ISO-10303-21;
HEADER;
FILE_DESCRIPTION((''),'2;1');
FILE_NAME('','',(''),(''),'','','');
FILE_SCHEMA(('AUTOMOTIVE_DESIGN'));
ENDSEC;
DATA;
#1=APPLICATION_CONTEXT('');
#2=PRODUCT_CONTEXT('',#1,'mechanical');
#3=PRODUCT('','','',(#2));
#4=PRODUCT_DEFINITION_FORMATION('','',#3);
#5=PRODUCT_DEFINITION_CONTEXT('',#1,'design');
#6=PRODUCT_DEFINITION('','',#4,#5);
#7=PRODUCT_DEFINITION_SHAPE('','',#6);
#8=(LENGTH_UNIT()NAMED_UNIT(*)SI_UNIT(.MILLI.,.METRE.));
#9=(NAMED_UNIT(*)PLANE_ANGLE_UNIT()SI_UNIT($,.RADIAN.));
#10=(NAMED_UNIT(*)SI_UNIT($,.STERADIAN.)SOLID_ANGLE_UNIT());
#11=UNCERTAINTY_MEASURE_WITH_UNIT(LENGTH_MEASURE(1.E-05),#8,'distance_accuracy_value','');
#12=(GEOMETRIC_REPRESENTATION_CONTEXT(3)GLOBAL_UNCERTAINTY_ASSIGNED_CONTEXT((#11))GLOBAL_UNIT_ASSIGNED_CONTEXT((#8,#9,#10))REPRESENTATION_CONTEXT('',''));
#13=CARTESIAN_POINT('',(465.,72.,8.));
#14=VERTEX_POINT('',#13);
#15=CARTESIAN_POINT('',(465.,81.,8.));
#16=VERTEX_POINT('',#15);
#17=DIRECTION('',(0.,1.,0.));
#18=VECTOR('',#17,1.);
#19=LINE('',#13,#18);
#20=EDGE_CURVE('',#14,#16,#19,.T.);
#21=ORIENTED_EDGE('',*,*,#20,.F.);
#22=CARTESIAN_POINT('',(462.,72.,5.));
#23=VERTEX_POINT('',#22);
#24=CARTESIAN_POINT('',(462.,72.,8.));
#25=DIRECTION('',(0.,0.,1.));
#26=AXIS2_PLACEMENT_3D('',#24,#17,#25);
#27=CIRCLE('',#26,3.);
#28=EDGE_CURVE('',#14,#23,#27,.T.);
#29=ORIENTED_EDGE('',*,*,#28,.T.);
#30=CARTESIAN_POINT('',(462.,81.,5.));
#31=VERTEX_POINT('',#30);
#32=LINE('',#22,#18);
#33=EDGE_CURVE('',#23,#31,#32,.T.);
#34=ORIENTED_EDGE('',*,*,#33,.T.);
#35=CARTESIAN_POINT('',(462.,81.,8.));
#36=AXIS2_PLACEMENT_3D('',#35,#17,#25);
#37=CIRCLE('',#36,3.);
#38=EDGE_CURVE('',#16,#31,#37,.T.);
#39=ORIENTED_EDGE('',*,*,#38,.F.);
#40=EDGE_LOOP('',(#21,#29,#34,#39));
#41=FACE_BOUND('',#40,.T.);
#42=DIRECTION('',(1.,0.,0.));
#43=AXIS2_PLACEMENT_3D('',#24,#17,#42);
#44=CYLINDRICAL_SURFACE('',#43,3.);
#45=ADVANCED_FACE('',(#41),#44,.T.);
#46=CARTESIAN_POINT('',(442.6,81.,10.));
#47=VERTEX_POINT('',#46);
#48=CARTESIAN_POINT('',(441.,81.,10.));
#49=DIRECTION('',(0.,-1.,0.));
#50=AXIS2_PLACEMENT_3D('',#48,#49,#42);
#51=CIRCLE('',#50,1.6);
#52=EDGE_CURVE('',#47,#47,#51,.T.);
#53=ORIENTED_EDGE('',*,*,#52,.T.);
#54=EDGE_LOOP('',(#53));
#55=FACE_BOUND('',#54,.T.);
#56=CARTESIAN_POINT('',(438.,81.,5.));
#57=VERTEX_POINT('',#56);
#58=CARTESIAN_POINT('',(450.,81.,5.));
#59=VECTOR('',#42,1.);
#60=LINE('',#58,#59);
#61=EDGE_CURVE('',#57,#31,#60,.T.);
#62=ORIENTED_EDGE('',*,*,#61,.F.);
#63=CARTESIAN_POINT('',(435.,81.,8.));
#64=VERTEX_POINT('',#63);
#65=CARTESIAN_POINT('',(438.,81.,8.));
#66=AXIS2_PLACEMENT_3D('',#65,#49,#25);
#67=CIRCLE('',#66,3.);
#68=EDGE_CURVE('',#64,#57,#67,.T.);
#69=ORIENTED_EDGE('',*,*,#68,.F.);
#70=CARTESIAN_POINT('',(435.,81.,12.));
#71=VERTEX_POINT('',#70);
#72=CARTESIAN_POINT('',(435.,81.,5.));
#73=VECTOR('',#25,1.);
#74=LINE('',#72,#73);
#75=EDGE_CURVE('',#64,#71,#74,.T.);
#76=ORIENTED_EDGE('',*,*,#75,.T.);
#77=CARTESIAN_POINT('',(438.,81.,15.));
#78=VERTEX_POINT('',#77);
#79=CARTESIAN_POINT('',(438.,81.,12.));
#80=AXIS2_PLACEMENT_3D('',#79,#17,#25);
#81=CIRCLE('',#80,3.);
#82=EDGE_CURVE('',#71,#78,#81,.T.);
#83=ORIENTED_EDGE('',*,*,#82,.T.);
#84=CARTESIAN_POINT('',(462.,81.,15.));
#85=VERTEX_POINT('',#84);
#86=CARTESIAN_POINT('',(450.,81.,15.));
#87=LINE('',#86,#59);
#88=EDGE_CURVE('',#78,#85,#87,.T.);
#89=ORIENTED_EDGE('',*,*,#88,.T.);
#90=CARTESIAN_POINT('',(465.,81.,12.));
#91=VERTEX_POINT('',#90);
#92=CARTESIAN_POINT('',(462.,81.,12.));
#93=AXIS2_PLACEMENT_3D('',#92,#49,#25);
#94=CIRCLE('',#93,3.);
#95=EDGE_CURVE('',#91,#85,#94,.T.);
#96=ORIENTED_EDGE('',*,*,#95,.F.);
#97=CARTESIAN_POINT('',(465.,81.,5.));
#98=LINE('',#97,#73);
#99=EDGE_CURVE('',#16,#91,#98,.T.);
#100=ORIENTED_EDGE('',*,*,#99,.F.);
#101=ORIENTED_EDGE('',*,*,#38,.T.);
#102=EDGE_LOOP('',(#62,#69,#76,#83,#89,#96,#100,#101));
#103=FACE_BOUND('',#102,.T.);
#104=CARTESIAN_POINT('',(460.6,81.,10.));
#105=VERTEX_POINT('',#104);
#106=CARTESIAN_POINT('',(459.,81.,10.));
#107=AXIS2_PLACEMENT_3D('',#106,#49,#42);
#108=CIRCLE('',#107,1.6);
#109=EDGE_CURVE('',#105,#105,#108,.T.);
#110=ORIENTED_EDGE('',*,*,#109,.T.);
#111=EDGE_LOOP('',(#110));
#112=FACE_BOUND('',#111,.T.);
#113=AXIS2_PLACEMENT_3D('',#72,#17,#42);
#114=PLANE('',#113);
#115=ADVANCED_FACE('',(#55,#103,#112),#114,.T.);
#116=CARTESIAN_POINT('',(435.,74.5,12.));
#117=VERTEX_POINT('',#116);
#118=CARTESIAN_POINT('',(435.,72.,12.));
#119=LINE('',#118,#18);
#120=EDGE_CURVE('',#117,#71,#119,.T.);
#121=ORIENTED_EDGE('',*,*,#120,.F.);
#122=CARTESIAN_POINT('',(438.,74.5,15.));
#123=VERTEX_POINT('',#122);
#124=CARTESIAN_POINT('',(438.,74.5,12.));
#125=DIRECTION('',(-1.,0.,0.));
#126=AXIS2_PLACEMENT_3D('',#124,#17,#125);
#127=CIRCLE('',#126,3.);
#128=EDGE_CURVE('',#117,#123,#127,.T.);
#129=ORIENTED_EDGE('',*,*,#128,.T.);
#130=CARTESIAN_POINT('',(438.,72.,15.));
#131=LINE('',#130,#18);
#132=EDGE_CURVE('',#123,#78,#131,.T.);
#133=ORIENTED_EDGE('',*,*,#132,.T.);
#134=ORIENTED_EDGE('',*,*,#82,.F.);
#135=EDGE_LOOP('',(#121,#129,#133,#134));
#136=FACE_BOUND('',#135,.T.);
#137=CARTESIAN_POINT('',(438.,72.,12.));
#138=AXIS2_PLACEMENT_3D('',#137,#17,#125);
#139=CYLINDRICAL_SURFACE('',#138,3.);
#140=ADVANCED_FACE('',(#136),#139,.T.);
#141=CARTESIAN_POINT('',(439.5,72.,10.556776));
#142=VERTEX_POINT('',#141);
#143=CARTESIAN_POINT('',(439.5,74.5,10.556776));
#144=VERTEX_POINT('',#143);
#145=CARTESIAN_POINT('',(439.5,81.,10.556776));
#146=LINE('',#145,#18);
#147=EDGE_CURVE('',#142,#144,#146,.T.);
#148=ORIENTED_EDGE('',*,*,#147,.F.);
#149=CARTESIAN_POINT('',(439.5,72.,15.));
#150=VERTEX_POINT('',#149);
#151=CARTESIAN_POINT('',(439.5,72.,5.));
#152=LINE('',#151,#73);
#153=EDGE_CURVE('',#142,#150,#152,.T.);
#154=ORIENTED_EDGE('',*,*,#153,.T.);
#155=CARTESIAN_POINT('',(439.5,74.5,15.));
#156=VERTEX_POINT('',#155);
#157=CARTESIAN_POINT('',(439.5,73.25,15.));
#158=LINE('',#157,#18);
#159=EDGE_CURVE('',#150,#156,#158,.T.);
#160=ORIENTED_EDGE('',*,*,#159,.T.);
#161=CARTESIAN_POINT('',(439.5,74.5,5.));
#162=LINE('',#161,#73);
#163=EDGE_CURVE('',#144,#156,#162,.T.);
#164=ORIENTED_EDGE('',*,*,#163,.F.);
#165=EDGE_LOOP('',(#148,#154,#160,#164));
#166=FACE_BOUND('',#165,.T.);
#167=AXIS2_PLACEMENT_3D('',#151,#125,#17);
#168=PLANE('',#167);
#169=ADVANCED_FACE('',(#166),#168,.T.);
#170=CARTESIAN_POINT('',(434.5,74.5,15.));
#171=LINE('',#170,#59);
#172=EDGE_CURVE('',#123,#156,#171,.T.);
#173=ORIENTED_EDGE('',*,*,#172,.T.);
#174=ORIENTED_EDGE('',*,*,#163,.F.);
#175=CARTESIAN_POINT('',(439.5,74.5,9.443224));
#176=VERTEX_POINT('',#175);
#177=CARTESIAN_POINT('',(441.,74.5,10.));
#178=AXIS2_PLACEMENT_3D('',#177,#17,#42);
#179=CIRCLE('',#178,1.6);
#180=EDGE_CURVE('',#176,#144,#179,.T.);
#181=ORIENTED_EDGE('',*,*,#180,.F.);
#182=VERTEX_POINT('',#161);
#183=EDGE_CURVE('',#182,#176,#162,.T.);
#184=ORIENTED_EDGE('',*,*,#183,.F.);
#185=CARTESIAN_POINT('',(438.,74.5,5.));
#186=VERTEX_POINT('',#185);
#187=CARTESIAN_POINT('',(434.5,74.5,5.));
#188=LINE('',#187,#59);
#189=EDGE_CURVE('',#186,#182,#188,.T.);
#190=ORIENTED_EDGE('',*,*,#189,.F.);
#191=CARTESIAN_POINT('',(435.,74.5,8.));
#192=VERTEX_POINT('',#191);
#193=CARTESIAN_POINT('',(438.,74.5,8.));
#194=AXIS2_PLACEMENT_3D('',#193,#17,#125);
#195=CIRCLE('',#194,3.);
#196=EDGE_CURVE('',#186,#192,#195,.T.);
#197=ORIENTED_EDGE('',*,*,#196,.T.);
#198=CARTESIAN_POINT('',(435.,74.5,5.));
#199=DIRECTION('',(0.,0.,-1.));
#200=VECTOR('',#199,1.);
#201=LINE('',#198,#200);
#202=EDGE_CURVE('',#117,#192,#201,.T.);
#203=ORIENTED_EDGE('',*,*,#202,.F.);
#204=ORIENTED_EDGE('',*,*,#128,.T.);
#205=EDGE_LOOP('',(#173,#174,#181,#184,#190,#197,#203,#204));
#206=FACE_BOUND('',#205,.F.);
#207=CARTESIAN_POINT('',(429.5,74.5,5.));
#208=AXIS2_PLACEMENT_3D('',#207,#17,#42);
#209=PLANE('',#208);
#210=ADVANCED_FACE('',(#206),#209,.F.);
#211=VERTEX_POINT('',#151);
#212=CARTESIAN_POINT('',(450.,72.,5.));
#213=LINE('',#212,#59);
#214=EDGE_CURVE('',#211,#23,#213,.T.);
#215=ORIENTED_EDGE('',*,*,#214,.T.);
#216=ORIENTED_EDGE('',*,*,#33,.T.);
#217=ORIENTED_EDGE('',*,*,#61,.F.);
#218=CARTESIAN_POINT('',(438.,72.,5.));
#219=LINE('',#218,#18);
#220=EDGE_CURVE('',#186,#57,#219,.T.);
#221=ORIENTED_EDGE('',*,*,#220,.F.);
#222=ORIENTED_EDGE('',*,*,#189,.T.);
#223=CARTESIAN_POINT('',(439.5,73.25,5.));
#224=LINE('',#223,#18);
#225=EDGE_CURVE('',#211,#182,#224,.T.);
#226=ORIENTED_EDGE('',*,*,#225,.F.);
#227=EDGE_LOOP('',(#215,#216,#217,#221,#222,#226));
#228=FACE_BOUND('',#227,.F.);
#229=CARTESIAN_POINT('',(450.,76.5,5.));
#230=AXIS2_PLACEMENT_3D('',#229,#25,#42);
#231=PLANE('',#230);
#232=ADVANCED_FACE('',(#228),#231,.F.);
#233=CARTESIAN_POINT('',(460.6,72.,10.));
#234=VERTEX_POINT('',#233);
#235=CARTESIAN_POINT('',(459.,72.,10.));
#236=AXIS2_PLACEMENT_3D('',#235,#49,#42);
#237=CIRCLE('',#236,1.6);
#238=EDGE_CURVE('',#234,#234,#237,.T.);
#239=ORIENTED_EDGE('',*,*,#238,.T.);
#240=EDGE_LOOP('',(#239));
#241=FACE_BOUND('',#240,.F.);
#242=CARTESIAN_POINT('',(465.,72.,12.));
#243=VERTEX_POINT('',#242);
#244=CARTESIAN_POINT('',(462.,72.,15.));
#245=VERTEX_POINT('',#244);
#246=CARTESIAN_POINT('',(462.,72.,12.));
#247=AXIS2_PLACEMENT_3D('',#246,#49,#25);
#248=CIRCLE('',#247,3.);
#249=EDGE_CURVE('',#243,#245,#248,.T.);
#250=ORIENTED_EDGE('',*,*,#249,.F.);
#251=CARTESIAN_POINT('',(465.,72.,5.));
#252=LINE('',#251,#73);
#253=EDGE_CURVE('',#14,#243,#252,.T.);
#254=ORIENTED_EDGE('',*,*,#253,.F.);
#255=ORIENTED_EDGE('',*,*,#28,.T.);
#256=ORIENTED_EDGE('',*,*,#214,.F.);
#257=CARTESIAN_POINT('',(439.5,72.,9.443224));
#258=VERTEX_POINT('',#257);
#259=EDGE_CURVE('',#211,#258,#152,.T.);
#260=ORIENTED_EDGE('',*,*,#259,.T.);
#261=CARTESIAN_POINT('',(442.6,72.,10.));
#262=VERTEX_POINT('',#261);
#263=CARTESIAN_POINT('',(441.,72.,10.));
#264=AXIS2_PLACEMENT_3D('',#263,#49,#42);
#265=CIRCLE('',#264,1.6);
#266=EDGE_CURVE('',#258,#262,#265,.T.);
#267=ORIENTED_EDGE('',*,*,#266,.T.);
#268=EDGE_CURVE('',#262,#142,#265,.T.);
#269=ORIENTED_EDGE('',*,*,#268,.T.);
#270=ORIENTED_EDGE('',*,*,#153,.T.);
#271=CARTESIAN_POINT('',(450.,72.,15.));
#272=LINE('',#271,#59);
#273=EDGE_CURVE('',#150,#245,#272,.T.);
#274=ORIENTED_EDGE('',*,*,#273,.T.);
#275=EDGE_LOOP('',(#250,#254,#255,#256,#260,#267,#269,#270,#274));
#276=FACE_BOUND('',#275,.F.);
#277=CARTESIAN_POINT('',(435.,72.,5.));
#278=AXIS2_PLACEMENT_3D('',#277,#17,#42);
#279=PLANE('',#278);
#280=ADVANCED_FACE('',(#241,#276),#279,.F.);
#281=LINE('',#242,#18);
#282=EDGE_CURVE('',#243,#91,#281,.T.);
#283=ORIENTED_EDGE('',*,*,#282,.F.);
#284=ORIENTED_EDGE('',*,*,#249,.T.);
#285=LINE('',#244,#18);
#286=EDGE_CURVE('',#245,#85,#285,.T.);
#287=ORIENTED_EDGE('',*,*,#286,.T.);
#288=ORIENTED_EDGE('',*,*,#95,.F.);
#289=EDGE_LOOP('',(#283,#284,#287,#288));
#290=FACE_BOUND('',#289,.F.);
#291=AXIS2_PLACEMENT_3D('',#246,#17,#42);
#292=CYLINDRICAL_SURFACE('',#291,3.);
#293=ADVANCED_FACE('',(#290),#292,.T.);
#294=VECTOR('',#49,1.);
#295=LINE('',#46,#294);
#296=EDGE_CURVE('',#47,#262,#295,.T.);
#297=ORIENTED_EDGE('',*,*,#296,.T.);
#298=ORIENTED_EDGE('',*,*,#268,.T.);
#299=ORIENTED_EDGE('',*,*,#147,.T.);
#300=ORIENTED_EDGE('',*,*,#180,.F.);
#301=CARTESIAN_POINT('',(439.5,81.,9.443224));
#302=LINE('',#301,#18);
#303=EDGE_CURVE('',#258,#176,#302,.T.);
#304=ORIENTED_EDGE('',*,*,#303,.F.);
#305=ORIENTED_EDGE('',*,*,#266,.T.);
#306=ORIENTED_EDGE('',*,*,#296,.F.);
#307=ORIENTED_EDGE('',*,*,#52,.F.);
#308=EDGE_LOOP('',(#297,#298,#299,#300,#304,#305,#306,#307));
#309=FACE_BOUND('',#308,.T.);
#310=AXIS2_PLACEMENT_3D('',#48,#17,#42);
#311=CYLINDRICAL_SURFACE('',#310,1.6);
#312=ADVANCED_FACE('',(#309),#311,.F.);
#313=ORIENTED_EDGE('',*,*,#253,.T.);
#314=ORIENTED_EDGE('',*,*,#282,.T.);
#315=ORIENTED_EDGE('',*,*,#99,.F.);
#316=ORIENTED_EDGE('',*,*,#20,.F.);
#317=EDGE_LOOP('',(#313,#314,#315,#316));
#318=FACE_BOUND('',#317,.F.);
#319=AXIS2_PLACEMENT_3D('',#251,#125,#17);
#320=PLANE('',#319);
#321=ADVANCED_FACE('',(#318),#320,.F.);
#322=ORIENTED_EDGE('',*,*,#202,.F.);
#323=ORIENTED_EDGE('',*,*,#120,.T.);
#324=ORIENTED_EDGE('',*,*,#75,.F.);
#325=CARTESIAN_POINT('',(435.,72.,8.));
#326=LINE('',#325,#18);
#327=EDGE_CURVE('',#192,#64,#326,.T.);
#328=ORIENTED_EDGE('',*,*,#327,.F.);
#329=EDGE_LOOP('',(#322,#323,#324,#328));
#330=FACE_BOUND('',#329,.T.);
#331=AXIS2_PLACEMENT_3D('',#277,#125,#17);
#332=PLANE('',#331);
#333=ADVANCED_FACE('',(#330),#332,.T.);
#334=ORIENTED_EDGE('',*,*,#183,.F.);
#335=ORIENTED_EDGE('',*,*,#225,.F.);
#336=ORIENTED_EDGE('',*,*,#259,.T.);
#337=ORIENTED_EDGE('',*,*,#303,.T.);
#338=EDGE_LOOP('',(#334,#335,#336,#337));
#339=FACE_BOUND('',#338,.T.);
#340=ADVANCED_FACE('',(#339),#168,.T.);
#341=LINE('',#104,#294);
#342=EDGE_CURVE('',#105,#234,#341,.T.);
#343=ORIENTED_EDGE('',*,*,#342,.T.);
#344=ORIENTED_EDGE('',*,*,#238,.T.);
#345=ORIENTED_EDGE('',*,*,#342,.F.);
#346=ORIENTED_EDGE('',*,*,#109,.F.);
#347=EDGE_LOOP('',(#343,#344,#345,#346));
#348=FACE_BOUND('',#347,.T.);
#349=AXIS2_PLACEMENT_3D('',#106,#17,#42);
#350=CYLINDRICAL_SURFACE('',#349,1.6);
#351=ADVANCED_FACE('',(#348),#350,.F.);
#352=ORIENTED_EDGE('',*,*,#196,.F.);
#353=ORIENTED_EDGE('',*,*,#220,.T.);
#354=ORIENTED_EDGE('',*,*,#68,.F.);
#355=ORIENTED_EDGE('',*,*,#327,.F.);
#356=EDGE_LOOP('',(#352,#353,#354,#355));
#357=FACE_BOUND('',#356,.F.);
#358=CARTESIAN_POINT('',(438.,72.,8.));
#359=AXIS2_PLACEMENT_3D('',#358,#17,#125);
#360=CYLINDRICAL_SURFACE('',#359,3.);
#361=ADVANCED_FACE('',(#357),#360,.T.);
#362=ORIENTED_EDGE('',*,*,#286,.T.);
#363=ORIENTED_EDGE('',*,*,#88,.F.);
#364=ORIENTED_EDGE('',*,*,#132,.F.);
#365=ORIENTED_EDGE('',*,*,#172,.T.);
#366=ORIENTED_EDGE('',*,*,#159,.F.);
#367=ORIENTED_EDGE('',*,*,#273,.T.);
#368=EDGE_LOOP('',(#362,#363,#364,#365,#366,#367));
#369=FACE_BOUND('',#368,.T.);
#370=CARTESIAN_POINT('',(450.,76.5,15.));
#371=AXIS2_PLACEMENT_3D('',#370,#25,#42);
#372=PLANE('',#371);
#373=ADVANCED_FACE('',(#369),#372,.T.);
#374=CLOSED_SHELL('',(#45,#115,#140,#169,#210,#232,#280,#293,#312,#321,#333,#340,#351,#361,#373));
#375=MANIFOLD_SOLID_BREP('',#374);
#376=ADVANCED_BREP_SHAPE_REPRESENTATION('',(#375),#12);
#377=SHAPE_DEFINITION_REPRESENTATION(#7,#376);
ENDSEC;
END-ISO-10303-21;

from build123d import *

# Parameters (mm, degrees)
BOX324_W          = 10
BOX324_H          = 2.5
BOX324_DEPTH      = 10
CYLINDER152_R     = 1.6
CYLINDER152_DEPTH = 9
CYLINDER153_R     = 1.6
CYLINDER153_DEPTH = 9
CYLINDER154_R     = 1.6
CYLINDER154_DEPTH = 9
CYLINDER155_R     = 1.6
CYLINDER155_DEPTH = 9
BOX071_W          = 30
BOX071_H          = 9
BOX071_DEPTH      = 10
FILLET038_R       = 3


with BuildPart() as cube395:
    # Box324 → Box324 (new body)
    with BuildSketch(Plane(origin=(429.5, 72, 5), x_dir=(1, 0, 0), z_dir=(0, 0, 1))):
        with Locations((5, 1.25)):
            Rectangle(BOX324_W, BOX324_H)
    extrude(amount=BOX324_DEPTH)


with BuildPart() as cylinder152:
    # Cylinder152 → Cylinder152 (new body)
    with BuildSketch(Plane(origin=(555, -5, 10), x_dir=(1, 0, 0), z_dir=(0, -1, 0))):
        Circle(CYLINDER152_R)
    extrude(amount=CYLINDER152_DEPTH)


with BuildPart() as fusion125:
    # Cylinder153 → Cylinder153 (new body)
    with BuildSketch(Plane(origin=(450, -5, 10), x_dir=(1, 0, 0), z_dir=(0, -1, 0))):
        Circle(CYLINDER153_R)
    extrude(amount=CYLINDER153_DEPTH)

    # Fusion125: union Cylinder152
    add(cylinder152.part)


with BuildPart() as fusion125_1:
    # Fusion125 placement: moved
    add(fusion125.part.moved(Location((-9, 5, 0))))


with BuildPart() as cylinder154:
    # Cylinder154 → Cylinder154 (new body)
    with BuildSketch(Plane(origin=(555, -5, 10), x_dir=(1, 0, 0), z_dir=(0, -1, 0))):
        Circle(CYLINDER154_R)
    extrude(amount=CYLINDER154_DEPTH)


with BuildPart() as fusion142:
    # Cylinder155 → Cylinder155 (new body)
    with BuildSketch(Plane(origin=(450, -5, 10), x_dir=(1, 0, 0), z_dir=(0, -1, 0))):
        Circle(CYLINDER155_R)
    extrude(amount=CYLINDER155_DEPTH)

    # Fusion132: union Cylinder154
    add(cylinder154.part)


with BuildPart() as fusion142_1:
    # Fusion132 placement: moved
    add(fusion142.part.moved(Location((9, 5, 0))))

    # Fusion142: union Fusion125
    add(fusion125_1.part)


with BuildPart() as fender_spacer_front_right:
    # Box071 → Box071 (new body)
    with BuildSketch(Plane(origin=(435, -9, 5), x_dir=(1, 0, 0), z_dir=(0, 0, 1))):
        with Locations((15, 4.5)):
            Rectangle(BOX071_W, BOX071_H)
    extrude(amount=BOX071_DEPTH)

    # Fillet038
    fillet038_edges = [fender_spacer_front_right.edges().sort_by_distance(p)[0] for p in [
        (435, -4.5, 15),
        (435, -4.5, 5),
        (465, -4.5, 15),
        (465, -4.5, 5),
    ]]
    fillet(fillet038_edges, radius=FILLET038_R)

    # Cut086: cut Fusion142
    add(fusion142_1.part, mode=Mode.SUBTRACT)


with BuildPart() as fender_spacer_front_right_1:
    # Cut086 placement: moved
    add(fender_spacer_front_right.part.moved(Location((0, 81, 0))))

    # Cut323: cut Cube395
    add(cube395.part, mode=Mode.SUBTRACT)


solid = fender_spacer_front_right_1.part
